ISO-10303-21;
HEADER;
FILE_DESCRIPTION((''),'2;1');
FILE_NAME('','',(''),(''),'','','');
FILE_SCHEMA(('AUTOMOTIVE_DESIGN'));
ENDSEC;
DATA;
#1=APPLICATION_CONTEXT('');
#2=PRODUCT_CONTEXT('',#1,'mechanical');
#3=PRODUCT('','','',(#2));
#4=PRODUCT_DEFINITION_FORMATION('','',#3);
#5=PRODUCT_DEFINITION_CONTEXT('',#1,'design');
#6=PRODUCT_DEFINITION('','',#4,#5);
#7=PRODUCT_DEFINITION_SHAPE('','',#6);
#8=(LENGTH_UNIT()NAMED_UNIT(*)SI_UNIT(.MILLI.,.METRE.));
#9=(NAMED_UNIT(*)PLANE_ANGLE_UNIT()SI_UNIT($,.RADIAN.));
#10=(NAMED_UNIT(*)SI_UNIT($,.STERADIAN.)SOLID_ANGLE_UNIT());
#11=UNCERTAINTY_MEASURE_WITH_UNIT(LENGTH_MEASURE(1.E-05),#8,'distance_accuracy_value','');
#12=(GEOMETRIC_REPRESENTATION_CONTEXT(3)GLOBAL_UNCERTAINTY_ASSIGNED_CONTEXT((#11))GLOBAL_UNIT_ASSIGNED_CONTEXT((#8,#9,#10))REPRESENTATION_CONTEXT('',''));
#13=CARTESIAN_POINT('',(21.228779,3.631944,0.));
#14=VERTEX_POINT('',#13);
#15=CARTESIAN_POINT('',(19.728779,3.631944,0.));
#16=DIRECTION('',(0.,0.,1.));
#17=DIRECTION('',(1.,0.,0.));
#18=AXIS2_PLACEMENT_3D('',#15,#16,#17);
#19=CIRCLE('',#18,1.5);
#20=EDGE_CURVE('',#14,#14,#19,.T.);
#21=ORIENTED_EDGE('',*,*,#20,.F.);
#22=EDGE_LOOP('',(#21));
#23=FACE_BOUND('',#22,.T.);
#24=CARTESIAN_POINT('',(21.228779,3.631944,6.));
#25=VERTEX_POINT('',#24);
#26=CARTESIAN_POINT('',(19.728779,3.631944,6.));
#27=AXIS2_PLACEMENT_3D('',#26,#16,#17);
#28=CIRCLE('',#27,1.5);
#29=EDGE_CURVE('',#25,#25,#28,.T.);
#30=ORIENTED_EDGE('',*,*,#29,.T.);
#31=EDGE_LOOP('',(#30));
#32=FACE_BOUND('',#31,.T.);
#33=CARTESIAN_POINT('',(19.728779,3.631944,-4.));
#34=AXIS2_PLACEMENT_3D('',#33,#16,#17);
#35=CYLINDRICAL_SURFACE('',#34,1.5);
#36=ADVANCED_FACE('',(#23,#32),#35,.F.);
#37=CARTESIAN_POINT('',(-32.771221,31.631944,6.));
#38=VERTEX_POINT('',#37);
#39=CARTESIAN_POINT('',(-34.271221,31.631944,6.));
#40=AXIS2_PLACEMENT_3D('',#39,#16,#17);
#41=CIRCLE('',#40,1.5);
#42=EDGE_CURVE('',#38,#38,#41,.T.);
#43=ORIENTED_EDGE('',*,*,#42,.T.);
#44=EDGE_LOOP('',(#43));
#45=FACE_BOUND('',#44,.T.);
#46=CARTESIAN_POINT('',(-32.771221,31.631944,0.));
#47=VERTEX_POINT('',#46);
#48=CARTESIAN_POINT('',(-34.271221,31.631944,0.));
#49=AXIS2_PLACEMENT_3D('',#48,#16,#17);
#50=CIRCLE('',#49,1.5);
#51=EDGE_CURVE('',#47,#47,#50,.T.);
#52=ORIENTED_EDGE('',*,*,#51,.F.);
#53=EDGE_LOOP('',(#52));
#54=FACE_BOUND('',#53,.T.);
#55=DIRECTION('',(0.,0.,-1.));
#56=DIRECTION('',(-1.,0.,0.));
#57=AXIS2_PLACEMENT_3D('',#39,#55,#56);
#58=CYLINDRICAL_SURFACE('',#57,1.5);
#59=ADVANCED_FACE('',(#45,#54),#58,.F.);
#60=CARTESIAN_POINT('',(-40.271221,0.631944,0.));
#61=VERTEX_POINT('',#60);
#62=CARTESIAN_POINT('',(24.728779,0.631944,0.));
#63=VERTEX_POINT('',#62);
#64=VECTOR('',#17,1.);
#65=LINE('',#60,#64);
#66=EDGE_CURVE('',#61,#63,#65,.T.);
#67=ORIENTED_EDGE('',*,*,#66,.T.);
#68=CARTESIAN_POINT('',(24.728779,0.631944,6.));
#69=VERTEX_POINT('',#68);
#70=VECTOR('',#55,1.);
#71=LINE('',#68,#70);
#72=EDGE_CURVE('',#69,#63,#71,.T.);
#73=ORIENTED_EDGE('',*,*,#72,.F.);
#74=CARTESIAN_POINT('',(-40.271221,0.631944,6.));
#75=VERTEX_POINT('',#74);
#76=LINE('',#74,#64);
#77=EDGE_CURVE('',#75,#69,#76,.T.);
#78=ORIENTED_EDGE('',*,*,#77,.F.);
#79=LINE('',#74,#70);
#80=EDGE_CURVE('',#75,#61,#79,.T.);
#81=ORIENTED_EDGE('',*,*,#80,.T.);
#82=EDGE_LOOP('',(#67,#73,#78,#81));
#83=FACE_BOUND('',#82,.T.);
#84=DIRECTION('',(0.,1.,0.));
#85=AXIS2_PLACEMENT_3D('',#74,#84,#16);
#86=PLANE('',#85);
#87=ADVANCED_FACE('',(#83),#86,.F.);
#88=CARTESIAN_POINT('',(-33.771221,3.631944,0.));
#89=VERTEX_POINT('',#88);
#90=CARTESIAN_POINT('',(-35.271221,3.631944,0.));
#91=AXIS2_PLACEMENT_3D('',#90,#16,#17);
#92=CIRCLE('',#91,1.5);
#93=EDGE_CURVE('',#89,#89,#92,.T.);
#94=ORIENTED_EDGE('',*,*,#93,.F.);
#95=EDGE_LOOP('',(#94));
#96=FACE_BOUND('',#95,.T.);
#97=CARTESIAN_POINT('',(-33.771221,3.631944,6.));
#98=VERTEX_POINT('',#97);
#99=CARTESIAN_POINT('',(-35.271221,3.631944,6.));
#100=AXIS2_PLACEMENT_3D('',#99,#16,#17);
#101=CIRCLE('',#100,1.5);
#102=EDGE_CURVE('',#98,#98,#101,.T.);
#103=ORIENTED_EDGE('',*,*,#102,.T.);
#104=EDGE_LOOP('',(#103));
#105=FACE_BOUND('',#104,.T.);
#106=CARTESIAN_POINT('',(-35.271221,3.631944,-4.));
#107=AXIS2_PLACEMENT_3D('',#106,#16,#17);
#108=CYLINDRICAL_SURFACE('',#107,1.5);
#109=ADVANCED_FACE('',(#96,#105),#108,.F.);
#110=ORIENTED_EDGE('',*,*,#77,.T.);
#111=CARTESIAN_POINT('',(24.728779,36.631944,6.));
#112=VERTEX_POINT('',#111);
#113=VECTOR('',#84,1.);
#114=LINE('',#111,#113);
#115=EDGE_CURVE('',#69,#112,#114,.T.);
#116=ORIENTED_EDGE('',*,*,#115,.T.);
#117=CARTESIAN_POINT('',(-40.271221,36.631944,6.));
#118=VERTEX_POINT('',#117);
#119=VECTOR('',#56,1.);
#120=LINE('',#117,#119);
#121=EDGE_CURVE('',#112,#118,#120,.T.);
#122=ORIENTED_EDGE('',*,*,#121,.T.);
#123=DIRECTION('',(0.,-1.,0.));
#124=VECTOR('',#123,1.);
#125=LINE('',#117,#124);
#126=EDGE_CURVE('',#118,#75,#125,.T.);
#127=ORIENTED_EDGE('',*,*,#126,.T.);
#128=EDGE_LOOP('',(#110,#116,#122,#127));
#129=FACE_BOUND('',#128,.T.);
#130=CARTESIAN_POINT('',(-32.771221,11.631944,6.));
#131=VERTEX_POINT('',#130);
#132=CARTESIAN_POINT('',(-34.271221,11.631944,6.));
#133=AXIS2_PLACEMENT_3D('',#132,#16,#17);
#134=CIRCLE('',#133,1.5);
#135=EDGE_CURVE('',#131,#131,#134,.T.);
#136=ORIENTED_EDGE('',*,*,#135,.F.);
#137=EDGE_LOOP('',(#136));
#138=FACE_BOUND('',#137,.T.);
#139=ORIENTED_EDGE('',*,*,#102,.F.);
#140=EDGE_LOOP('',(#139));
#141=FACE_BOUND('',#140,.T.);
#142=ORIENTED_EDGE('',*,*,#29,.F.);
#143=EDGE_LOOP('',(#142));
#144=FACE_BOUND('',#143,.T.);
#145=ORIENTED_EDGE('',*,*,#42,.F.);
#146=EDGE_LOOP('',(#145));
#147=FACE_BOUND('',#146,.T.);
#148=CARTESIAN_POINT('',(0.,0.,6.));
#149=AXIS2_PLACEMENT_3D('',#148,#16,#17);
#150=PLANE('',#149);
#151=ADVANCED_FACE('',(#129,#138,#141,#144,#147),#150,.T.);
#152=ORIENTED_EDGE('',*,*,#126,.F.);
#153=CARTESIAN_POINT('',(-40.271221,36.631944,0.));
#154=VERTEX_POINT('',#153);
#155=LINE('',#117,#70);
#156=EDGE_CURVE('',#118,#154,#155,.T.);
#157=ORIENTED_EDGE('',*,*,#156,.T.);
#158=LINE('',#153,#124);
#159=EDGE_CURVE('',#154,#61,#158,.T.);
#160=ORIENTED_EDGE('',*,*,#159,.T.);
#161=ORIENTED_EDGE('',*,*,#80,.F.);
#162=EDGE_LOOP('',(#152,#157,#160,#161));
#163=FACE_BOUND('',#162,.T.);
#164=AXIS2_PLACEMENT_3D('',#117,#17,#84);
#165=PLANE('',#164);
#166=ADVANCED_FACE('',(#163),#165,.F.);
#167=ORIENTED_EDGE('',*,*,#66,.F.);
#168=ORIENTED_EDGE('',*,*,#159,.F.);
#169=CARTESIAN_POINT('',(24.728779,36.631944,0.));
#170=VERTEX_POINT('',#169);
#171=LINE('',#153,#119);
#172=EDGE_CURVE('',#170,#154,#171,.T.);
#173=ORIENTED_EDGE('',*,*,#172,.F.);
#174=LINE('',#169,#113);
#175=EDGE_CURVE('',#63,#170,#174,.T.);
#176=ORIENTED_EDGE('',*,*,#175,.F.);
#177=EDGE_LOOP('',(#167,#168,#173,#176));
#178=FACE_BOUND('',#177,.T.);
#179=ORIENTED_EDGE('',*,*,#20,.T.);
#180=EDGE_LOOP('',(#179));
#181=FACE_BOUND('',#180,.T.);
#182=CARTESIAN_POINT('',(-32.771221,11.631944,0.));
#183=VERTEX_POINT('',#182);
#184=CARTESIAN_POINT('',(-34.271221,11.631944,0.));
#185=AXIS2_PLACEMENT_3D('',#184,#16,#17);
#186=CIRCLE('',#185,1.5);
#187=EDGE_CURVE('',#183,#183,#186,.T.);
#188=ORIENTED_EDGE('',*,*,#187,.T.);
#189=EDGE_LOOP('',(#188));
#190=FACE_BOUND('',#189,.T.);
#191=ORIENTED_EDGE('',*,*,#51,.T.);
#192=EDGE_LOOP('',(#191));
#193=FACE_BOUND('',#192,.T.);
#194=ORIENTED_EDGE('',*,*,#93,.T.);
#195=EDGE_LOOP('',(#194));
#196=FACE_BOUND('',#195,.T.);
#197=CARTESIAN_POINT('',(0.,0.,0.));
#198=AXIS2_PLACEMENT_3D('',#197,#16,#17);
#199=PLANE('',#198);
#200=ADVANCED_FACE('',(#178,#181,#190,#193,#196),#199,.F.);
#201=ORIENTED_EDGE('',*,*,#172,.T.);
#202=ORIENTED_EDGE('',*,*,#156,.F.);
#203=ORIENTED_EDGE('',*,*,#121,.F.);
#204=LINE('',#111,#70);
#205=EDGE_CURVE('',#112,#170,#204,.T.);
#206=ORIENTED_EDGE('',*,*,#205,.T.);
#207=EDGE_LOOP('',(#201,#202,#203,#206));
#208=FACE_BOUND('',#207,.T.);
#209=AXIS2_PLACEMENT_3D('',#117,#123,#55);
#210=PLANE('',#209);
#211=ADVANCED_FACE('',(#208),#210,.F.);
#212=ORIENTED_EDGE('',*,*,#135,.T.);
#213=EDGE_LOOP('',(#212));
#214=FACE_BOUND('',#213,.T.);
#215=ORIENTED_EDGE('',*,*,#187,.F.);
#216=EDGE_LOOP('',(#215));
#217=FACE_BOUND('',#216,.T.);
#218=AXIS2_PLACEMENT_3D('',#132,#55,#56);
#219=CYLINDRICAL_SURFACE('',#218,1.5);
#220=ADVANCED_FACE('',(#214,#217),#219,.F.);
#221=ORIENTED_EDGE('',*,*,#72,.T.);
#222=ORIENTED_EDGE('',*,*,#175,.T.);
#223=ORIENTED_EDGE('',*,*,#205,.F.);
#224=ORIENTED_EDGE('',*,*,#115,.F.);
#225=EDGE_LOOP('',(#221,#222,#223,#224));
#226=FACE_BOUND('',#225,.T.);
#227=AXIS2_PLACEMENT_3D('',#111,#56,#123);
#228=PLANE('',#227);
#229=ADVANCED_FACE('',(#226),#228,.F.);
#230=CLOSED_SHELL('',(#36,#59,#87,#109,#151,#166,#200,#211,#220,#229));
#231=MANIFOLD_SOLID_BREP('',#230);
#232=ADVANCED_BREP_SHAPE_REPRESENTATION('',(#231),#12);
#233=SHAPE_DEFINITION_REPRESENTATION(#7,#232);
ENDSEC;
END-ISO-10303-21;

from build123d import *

# Parameters (mm, degrees)
ESQUISSE1_W             = 65
ESQUISSE1_H             = 36
ESQUISSE1_R             = 1.5
BOSS_EXTRU_1_DEPTH      = 6
ESQUISSE3_R             = 1.5
ENL_V_MAT_EXTRU_1_DEPTH = 10


with BuildPart() as part:
    # Esquisse1 → Boss.-Extru.1 (new body)
    with BuildSketch(Plane.XY):
        with Locations((-7.771220945, 18.631944444)):
            Rectangle(ESQUISSE1_W, ESQUISSE1_H)
        with Locations((-34.271220945, 31.631944444)):
            Circle(ESQUISSE1_R, mode=Mode.SUBTRACT)
        with Locations((-34.271220945, 11.631944444)):
            Circle(ESQUISSE1_R, mode=Mode.SUBTRACT)
    extrude(amount=BOSS_EXTRU_1_DEPTH)

    # Esquisse3 → Enlèv. mat.-Extru.1 (cut)
    with BuildSketch(Plane.XY.offset(6)):
        with Locations((-35.271220945, 3.631944444)):
            Circle(ESQUISSE3_R)
        with Locations((19.728779055, 3.631944444)):
            Circle(ESQUISSE3_R)
    extrude(amount=-ENL_V_MAT_EXTRU_1_DEPTH, mode=Mode.SUBTRACT)


solid = part.part
